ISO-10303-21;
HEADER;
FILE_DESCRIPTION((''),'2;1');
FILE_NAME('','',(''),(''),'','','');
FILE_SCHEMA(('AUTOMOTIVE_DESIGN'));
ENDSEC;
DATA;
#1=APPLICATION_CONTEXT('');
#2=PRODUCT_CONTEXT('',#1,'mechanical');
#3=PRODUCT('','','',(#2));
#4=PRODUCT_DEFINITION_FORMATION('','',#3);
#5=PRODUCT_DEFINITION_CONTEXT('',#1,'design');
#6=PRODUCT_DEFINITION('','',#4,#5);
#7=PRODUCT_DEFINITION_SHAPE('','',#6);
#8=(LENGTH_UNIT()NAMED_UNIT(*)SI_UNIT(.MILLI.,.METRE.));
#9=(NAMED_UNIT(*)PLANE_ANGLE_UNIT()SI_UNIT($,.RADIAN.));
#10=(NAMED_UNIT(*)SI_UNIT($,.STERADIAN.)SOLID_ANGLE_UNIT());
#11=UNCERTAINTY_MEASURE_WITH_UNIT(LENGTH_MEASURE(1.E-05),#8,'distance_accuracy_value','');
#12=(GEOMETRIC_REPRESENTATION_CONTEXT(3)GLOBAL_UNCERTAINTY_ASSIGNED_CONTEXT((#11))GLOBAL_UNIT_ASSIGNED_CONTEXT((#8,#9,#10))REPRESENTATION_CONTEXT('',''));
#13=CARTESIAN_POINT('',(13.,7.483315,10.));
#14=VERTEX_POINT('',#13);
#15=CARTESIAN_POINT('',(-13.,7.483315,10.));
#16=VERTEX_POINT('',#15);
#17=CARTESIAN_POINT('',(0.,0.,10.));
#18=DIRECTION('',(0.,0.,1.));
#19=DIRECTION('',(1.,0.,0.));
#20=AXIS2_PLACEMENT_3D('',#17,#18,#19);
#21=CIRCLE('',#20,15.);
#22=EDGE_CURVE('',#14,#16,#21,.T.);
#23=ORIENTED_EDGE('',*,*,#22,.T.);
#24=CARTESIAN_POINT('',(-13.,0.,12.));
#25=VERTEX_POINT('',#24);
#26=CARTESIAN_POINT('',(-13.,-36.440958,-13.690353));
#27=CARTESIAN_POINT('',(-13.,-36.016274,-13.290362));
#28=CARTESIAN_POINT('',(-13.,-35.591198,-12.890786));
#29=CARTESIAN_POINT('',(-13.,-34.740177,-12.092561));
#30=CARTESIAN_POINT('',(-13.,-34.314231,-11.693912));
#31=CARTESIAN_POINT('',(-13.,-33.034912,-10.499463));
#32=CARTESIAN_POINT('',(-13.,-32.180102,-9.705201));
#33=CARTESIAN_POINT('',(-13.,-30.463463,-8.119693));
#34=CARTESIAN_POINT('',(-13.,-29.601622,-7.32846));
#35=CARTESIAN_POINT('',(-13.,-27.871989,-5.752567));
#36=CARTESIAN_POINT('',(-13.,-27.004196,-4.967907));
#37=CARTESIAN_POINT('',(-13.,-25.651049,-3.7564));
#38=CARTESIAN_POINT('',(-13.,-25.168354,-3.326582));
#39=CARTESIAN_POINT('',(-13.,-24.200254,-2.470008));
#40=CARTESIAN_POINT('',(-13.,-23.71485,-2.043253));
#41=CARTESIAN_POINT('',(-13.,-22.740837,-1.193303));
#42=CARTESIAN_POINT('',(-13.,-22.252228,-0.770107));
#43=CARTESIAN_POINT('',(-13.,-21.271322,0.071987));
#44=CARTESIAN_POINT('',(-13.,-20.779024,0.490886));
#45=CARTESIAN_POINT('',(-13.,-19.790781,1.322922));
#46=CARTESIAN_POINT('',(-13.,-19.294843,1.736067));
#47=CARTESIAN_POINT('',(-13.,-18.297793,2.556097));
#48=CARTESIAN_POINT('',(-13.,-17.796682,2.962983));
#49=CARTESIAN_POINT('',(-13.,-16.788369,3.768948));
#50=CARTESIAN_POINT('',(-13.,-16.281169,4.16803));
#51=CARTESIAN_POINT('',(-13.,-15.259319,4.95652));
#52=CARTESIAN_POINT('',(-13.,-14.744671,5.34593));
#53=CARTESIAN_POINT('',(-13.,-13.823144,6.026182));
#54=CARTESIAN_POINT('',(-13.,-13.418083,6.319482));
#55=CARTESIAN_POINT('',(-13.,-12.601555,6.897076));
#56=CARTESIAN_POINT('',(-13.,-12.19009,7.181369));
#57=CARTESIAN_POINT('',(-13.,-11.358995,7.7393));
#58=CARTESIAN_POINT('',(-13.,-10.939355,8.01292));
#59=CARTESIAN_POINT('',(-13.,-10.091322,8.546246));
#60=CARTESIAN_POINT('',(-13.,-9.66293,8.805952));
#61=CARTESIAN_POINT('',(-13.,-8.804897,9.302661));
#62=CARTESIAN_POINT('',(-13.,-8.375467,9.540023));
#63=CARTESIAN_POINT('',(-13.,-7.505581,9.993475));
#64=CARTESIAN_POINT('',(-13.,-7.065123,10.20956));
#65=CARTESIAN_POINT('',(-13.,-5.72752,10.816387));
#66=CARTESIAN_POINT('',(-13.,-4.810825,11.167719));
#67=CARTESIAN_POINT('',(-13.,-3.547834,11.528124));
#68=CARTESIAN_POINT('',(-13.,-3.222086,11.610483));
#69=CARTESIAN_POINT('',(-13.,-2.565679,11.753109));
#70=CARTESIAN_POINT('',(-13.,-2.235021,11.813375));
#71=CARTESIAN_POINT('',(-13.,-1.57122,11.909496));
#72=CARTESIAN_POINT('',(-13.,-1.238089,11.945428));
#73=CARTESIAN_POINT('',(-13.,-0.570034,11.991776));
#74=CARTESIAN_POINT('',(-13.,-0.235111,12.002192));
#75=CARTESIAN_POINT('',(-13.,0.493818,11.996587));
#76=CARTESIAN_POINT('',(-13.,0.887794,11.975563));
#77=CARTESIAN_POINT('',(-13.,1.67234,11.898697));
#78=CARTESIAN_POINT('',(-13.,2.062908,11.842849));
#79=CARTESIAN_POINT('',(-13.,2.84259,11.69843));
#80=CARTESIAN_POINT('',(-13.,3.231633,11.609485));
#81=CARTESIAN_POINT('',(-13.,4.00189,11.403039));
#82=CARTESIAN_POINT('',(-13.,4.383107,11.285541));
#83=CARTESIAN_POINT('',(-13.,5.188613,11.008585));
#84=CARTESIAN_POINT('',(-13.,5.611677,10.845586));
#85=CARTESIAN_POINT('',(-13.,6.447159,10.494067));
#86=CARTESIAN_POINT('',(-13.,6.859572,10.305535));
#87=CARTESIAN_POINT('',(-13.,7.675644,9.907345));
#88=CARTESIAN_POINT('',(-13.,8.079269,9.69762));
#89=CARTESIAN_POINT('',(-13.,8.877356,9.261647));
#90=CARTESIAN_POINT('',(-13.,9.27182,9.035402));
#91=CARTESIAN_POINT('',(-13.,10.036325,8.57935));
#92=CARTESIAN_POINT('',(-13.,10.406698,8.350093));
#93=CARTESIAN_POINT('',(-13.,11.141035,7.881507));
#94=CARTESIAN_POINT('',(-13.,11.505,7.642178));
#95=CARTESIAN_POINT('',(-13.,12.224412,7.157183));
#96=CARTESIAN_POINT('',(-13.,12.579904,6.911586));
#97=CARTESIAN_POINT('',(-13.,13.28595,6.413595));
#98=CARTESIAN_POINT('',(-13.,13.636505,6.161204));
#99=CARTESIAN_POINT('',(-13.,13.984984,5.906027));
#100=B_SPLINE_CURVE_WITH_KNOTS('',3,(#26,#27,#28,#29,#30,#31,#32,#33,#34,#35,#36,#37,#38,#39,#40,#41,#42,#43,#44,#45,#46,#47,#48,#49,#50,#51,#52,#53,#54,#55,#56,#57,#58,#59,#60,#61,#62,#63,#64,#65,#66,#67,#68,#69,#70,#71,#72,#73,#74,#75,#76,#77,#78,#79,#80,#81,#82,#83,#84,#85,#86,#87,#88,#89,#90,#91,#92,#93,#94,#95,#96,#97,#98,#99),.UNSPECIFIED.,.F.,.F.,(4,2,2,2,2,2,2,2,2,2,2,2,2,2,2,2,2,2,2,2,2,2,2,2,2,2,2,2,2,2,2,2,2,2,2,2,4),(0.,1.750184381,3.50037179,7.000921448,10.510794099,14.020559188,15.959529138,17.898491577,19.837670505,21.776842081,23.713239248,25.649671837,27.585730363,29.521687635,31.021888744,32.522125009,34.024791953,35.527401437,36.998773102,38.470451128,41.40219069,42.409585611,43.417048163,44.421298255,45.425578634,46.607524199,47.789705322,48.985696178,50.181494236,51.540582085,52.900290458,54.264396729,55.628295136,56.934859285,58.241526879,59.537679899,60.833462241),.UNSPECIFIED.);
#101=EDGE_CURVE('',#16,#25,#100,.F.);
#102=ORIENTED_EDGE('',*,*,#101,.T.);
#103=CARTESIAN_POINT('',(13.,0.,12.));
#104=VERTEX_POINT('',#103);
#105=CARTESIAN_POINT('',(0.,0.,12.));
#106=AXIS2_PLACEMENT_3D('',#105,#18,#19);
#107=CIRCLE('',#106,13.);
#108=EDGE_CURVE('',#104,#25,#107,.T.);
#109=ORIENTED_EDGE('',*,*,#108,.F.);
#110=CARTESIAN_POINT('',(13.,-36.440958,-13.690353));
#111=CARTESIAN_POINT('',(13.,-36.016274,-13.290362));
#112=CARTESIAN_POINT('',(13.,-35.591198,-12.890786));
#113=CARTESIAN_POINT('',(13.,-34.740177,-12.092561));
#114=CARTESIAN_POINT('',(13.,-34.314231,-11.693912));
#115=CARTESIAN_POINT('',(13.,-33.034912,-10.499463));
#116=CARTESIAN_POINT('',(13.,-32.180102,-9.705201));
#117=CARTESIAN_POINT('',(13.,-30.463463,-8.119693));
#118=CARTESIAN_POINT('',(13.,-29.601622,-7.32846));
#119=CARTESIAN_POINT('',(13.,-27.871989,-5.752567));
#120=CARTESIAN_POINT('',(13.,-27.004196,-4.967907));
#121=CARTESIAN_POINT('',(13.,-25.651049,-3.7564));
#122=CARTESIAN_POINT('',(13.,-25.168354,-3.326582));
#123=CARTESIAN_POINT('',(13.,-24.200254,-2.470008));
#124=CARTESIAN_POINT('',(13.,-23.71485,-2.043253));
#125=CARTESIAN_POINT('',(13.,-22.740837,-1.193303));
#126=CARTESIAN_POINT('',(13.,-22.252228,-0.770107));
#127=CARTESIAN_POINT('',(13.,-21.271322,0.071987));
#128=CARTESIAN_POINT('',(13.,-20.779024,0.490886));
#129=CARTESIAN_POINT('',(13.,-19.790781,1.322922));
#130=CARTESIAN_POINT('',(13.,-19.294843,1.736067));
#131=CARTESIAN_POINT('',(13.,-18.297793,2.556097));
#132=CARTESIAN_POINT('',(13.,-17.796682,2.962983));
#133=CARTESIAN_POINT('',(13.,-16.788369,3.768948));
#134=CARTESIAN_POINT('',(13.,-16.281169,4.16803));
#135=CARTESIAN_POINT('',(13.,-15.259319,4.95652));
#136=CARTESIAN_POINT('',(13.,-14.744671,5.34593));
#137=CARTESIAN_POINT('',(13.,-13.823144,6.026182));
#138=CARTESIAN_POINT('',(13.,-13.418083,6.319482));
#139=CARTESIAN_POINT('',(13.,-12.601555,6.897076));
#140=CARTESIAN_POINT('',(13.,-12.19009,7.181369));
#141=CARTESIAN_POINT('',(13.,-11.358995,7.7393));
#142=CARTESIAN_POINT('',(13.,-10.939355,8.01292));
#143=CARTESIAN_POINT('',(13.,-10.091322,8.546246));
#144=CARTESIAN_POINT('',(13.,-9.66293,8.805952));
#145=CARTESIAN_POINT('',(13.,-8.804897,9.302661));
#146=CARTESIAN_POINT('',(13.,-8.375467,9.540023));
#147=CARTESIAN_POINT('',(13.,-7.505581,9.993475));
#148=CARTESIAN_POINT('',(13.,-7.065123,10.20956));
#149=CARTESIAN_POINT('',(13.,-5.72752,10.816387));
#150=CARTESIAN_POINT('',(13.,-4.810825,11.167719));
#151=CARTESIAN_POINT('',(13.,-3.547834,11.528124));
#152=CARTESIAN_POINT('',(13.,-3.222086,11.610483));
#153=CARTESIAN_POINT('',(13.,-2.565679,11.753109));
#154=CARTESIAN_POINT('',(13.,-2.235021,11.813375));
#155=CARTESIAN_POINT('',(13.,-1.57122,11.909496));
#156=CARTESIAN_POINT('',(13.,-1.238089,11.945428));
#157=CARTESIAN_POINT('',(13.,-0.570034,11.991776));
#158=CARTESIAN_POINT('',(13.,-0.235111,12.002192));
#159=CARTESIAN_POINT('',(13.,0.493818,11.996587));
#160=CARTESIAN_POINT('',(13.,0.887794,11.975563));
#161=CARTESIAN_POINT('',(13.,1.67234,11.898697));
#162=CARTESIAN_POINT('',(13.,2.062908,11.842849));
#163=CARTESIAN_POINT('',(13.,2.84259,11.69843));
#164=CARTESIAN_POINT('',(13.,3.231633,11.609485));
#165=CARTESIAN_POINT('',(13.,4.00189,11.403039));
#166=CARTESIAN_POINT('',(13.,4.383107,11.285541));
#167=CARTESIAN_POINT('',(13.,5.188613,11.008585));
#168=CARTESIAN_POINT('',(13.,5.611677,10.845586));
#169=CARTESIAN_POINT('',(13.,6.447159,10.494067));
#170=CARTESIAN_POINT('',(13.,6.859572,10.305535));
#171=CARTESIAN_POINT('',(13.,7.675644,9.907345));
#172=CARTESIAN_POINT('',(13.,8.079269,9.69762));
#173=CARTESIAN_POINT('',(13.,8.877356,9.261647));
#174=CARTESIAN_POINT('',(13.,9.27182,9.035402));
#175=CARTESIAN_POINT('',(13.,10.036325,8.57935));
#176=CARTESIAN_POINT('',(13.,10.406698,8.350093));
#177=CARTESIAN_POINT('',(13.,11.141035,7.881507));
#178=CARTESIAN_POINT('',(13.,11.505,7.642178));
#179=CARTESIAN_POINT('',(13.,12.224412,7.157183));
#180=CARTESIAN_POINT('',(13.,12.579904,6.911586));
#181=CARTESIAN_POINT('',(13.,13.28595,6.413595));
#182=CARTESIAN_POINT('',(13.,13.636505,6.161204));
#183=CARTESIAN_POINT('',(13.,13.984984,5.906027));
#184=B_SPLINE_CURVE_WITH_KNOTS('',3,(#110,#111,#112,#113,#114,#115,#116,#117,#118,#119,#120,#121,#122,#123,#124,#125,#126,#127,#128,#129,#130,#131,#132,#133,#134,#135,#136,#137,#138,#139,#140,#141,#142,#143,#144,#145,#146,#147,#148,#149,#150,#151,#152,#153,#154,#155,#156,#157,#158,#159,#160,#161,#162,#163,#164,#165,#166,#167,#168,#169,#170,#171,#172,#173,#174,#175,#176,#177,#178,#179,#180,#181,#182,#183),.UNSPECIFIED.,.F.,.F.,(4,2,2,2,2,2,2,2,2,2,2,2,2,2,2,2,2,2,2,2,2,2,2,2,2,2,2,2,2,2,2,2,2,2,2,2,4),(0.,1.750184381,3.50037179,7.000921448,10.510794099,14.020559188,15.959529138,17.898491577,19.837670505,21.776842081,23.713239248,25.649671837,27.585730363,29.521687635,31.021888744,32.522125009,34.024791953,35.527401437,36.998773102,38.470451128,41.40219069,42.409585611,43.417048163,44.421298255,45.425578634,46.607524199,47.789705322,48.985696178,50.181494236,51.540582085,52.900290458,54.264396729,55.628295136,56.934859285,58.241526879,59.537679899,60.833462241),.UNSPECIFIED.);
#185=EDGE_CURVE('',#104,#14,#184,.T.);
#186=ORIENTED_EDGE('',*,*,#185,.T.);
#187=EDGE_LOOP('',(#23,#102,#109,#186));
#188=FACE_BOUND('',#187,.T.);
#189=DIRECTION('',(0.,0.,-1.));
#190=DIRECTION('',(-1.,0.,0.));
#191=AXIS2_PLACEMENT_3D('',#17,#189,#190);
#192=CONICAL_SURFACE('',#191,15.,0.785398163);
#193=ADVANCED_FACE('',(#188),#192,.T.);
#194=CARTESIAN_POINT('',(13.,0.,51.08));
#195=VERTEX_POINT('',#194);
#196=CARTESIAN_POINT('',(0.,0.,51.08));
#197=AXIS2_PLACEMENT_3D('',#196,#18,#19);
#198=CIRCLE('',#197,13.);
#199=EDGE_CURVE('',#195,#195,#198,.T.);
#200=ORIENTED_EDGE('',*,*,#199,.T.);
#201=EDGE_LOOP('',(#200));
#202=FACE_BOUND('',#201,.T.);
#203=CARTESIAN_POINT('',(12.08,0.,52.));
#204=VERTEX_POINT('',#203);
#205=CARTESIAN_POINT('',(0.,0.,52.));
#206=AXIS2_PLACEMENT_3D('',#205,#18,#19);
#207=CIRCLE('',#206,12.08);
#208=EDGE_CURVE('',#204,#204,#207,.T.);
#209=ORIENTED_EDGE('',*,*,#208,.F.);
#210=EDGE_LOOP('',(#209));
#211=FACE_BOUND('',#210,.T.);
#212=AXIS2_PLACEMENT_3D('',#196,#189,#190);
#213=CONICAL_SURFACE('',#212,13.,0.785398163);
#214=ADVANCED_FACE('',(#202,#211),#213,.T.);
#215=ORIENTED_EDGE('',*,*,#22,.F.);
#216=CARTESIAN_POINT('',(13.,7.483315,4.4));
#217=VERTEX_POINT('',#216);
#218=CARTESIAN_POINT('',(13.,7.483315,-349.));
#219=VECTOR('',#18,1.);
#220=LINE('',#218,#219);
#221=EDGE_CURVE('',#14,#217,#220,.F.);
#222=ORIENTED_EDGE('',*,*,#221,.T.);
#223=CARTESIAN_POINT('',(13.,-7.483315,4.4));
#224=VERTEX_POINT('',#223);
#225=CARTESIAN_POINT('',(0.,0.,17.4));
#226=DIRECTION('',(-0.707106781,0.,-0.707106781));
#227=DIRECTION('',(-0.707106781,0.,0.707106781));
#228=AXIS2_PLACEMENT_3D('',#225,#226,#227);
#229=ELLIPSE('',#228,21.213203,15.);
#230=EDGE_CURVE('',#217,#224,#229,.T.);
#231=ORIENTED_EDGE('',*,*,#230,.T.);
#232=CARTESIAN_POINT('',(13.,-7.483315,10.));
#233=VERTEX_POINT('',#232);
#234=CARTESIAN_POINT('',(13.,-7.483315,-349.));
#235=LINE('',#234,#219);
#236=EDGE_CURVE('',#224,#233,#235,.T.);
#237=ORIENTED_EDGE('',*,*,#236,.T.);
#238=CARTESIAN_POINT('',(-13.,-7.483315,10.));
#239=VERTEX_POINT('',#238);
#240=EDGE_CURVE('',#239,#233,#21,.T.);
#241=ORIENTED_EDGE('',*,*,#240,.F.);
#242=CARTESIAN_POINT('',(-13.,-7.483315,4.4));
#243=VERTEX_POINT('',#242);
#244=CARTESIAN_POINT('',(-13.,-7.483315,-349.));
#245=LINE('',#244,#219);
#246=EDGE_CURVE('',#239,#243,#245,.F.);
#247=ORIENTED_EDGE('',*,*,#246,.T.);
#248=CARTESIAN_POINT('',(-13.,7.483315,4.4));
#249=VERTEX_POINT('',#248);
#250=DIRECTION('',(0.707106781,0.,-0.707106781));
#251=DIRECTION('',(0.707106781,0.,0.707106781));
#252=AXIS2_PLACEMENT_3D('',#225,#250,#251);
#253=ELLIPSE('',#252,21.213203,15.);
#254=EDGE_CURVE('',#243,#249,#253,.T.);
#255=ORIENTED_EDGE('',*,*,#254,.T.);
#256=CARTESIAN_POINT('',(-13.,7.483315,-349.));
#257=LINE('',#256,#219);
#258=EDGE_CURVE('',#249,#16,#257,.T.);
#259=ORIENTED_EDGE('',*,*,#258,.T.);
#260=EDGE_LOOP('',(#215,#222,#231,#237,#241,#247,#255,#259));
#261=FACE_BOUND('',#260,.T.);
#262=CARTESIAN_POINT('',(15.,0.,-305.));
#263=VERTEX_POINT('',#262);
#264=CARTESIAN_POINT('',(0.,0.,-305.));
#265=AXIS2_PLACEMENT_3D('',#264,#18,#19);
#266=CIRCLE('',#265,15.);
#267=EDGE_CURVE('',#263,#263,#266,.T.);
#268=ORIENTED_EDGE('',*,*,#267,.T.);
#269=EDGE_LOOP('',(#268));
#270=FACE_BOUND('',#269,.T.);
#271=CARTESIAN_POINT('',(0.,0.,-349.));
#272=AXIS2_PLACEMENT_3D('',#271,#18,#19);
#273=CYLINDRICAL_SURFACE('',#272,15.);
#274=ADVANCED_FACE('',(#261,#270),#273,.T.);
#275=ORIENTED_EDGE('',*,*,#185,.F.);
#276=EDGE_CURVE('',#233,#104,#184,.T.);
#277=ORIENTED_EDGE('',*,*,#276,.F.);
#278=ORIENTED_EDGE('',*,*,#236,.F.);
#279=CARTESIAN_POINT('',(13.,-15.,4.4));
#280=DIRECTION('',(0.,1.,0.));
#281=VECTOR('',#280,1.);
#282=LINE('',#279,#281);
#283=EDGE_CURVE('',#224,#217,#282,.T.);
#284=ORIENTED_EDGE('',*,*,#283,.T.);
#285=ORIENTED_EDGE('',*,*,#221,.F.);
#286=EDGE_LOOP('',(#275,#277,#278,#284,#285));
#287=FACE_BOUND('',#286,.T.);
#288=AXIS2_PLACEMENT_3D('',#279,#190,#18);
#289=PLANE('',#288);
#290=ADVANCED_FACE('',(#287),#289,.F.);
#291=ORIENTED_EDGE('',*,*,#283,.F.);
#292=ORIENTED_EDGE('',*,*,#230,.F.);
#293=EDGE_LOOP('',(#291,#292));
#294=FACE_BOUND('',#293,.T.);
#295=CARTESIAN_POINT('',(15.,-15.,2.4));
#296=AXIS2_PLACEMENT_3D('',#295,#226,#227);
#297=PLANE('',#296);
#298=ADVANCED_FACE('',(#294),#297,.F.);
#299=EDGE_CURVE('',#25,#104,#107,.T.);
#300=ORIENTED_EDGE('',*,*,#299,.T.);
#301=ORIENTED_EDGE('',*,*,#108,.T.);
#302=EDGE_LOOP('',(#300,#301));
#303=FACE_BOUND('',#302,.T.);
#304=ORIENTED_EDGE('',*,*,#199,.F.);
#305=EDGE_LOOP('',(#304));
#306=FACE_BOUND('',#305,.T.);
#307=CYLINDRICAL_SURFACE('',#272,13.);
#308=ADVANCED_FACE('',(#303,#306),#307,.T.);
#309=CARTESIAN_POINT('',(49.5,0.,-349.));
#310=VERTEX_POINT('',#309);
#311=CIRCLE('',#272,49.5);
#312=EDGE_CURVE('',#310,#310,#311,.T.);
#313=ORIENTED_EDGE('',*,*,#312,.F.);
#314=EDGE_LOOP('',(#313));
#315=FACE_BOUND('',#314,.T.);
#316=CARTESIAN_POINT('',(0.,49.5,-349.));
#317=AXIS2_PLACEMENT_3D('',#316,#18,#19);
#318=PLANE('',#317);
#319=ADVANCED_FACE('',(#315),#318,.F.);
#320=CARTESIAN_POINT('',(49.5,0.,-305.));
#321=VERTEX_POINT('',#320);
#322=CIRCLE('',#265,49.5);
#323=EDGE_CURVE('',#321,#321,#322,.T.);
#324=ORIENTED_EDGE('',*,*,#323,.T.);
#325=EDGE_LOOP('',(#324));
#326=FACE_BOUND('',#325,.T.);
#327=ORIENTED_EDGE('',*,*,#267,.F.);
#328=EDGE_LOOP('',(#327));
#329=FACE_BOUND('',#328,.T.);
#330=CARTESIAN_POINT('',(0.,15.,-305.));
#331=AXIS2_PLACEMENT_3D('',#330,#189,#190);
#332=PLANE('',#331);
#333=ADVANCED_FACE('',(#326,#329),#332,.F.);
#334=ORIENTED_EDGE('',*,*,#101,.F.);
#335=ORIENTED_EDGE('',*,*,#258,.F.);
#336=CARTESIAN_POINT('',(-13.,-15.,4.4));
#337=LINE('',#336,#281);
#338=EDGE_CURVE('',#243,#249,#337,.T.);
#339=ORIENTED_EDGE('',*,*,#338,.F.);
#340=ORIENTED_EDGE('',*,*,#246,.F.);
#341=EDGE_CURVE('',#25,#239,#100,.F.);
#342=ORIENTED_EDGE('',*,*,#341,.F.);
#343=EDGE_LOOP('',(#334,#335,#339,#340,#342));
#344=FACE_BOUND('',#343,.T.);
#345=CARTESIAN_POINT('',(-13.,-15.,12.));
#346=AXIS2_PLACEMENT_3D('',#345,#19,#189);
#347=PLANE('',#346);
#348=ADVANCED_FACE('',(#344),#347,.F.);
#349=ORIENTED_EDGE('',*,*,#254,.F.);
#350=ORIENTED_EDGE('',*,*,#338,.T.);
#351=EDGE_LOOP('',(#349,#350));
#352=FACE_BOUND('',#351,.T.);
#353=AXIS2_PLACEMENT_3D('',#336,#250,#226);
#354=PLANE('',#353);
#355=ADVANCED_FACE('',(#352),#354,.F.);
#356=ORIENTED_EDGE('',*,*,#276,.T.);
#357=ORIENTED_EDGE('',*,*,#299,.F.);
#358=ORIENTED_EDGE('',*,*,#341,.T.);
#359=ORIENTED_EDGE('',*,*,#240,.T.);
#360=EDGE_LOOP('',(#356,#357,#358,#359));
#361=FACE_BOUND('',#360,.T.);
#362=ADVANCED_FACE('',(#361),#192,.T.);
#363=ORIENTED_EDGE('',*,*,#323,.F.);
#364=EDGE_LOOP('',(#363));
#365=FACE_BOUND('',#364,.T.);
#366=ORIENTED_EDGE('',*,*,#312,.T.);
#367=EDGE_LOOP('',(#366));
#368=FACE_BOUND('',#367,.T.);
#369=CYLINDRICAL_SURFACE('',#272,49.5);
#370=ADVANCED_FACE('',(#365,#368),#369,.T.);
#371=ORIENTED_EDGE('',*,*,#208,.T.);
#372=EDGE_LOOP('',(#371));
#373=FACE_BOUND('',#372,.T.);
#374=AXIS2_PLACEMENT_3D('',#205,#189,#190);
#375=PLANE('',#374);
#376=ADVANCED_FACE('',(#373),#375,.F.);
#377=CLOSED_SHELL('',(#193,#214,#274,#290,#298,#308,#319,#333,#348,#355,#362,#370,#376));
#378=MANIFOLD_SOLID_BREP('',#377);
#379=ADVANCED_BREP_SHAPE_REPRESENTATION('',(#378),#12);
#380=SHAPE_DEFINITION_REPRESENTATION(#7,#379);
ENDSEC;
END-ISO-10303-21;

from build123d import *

# Parameters (mm, degrees)
CUT_EXTRUDE_1_DEPTH      = 15
CUT_EXTRUDE_1_DEPTH_BACK = 15
CUT_EXTRUDE_2_DEPTH      = 15
CUT_EXTRUDE_2_DEPTH_BACK = 15


with BuildPart() as part:
    # 草图1 → 旋转1 (revolve)
    with BuildSketch(Plane(origin=(0, 0, 0), x_dir=(0, 0, -1), z_dir=(1, 0, 0))):
        Polygon((-52, 0), (-52, 12.08), (-51.08, 13), (-12, 13), (-10, 15), (305, 15), (305, 49.5), (349, 49.5), (349, 0), align=None)
    revolve(axis=Axis((0, 0, -349), (0, 0, 1)))

    # 草图2 → 切除-拉伸1 (cut, two sides: drawn at the far end of the back side and taken through both)
    with BuildSketch(Plane(origin=(0, 0, 0), x_dir=(1, 0, 0), z_dir=(0, 1, 0)).offset(-CUT_EXTRUDE_1_DEPTH_BACK)):
        Polygon((13, -4.4), (13, -12), (15, -12), (15, -2.4), align=None)
    extrude(amount=CUT_EXTRUDE_1_DEPTH + CUT_EXTRUDE_1_DEPTH_BACK, mode=Mode.SUBTRACT)

    # 草图3 → 切除-拉伸2 (cut, two sides: drawn at the far end of the back side and taken through both)
    with BuildSketch(Plane(origin=(0, 0, 0), x_dir=(1, 0, 0), z_dir=(0, 1, 0)).offset(-CUT_EXTRUDE_2_DEPTH_BACK)):
        Polygon((-15, -2.4), (-15, -12), (-13, -12), (-13, -4.4), align=None)
    extrude(amount=CUT_EXTRUDE_2_DEPTH + CUT_EXTRUDE_2_DEPTH_BACK, mode=Mode.SUBTRACT)


solid = part.part
